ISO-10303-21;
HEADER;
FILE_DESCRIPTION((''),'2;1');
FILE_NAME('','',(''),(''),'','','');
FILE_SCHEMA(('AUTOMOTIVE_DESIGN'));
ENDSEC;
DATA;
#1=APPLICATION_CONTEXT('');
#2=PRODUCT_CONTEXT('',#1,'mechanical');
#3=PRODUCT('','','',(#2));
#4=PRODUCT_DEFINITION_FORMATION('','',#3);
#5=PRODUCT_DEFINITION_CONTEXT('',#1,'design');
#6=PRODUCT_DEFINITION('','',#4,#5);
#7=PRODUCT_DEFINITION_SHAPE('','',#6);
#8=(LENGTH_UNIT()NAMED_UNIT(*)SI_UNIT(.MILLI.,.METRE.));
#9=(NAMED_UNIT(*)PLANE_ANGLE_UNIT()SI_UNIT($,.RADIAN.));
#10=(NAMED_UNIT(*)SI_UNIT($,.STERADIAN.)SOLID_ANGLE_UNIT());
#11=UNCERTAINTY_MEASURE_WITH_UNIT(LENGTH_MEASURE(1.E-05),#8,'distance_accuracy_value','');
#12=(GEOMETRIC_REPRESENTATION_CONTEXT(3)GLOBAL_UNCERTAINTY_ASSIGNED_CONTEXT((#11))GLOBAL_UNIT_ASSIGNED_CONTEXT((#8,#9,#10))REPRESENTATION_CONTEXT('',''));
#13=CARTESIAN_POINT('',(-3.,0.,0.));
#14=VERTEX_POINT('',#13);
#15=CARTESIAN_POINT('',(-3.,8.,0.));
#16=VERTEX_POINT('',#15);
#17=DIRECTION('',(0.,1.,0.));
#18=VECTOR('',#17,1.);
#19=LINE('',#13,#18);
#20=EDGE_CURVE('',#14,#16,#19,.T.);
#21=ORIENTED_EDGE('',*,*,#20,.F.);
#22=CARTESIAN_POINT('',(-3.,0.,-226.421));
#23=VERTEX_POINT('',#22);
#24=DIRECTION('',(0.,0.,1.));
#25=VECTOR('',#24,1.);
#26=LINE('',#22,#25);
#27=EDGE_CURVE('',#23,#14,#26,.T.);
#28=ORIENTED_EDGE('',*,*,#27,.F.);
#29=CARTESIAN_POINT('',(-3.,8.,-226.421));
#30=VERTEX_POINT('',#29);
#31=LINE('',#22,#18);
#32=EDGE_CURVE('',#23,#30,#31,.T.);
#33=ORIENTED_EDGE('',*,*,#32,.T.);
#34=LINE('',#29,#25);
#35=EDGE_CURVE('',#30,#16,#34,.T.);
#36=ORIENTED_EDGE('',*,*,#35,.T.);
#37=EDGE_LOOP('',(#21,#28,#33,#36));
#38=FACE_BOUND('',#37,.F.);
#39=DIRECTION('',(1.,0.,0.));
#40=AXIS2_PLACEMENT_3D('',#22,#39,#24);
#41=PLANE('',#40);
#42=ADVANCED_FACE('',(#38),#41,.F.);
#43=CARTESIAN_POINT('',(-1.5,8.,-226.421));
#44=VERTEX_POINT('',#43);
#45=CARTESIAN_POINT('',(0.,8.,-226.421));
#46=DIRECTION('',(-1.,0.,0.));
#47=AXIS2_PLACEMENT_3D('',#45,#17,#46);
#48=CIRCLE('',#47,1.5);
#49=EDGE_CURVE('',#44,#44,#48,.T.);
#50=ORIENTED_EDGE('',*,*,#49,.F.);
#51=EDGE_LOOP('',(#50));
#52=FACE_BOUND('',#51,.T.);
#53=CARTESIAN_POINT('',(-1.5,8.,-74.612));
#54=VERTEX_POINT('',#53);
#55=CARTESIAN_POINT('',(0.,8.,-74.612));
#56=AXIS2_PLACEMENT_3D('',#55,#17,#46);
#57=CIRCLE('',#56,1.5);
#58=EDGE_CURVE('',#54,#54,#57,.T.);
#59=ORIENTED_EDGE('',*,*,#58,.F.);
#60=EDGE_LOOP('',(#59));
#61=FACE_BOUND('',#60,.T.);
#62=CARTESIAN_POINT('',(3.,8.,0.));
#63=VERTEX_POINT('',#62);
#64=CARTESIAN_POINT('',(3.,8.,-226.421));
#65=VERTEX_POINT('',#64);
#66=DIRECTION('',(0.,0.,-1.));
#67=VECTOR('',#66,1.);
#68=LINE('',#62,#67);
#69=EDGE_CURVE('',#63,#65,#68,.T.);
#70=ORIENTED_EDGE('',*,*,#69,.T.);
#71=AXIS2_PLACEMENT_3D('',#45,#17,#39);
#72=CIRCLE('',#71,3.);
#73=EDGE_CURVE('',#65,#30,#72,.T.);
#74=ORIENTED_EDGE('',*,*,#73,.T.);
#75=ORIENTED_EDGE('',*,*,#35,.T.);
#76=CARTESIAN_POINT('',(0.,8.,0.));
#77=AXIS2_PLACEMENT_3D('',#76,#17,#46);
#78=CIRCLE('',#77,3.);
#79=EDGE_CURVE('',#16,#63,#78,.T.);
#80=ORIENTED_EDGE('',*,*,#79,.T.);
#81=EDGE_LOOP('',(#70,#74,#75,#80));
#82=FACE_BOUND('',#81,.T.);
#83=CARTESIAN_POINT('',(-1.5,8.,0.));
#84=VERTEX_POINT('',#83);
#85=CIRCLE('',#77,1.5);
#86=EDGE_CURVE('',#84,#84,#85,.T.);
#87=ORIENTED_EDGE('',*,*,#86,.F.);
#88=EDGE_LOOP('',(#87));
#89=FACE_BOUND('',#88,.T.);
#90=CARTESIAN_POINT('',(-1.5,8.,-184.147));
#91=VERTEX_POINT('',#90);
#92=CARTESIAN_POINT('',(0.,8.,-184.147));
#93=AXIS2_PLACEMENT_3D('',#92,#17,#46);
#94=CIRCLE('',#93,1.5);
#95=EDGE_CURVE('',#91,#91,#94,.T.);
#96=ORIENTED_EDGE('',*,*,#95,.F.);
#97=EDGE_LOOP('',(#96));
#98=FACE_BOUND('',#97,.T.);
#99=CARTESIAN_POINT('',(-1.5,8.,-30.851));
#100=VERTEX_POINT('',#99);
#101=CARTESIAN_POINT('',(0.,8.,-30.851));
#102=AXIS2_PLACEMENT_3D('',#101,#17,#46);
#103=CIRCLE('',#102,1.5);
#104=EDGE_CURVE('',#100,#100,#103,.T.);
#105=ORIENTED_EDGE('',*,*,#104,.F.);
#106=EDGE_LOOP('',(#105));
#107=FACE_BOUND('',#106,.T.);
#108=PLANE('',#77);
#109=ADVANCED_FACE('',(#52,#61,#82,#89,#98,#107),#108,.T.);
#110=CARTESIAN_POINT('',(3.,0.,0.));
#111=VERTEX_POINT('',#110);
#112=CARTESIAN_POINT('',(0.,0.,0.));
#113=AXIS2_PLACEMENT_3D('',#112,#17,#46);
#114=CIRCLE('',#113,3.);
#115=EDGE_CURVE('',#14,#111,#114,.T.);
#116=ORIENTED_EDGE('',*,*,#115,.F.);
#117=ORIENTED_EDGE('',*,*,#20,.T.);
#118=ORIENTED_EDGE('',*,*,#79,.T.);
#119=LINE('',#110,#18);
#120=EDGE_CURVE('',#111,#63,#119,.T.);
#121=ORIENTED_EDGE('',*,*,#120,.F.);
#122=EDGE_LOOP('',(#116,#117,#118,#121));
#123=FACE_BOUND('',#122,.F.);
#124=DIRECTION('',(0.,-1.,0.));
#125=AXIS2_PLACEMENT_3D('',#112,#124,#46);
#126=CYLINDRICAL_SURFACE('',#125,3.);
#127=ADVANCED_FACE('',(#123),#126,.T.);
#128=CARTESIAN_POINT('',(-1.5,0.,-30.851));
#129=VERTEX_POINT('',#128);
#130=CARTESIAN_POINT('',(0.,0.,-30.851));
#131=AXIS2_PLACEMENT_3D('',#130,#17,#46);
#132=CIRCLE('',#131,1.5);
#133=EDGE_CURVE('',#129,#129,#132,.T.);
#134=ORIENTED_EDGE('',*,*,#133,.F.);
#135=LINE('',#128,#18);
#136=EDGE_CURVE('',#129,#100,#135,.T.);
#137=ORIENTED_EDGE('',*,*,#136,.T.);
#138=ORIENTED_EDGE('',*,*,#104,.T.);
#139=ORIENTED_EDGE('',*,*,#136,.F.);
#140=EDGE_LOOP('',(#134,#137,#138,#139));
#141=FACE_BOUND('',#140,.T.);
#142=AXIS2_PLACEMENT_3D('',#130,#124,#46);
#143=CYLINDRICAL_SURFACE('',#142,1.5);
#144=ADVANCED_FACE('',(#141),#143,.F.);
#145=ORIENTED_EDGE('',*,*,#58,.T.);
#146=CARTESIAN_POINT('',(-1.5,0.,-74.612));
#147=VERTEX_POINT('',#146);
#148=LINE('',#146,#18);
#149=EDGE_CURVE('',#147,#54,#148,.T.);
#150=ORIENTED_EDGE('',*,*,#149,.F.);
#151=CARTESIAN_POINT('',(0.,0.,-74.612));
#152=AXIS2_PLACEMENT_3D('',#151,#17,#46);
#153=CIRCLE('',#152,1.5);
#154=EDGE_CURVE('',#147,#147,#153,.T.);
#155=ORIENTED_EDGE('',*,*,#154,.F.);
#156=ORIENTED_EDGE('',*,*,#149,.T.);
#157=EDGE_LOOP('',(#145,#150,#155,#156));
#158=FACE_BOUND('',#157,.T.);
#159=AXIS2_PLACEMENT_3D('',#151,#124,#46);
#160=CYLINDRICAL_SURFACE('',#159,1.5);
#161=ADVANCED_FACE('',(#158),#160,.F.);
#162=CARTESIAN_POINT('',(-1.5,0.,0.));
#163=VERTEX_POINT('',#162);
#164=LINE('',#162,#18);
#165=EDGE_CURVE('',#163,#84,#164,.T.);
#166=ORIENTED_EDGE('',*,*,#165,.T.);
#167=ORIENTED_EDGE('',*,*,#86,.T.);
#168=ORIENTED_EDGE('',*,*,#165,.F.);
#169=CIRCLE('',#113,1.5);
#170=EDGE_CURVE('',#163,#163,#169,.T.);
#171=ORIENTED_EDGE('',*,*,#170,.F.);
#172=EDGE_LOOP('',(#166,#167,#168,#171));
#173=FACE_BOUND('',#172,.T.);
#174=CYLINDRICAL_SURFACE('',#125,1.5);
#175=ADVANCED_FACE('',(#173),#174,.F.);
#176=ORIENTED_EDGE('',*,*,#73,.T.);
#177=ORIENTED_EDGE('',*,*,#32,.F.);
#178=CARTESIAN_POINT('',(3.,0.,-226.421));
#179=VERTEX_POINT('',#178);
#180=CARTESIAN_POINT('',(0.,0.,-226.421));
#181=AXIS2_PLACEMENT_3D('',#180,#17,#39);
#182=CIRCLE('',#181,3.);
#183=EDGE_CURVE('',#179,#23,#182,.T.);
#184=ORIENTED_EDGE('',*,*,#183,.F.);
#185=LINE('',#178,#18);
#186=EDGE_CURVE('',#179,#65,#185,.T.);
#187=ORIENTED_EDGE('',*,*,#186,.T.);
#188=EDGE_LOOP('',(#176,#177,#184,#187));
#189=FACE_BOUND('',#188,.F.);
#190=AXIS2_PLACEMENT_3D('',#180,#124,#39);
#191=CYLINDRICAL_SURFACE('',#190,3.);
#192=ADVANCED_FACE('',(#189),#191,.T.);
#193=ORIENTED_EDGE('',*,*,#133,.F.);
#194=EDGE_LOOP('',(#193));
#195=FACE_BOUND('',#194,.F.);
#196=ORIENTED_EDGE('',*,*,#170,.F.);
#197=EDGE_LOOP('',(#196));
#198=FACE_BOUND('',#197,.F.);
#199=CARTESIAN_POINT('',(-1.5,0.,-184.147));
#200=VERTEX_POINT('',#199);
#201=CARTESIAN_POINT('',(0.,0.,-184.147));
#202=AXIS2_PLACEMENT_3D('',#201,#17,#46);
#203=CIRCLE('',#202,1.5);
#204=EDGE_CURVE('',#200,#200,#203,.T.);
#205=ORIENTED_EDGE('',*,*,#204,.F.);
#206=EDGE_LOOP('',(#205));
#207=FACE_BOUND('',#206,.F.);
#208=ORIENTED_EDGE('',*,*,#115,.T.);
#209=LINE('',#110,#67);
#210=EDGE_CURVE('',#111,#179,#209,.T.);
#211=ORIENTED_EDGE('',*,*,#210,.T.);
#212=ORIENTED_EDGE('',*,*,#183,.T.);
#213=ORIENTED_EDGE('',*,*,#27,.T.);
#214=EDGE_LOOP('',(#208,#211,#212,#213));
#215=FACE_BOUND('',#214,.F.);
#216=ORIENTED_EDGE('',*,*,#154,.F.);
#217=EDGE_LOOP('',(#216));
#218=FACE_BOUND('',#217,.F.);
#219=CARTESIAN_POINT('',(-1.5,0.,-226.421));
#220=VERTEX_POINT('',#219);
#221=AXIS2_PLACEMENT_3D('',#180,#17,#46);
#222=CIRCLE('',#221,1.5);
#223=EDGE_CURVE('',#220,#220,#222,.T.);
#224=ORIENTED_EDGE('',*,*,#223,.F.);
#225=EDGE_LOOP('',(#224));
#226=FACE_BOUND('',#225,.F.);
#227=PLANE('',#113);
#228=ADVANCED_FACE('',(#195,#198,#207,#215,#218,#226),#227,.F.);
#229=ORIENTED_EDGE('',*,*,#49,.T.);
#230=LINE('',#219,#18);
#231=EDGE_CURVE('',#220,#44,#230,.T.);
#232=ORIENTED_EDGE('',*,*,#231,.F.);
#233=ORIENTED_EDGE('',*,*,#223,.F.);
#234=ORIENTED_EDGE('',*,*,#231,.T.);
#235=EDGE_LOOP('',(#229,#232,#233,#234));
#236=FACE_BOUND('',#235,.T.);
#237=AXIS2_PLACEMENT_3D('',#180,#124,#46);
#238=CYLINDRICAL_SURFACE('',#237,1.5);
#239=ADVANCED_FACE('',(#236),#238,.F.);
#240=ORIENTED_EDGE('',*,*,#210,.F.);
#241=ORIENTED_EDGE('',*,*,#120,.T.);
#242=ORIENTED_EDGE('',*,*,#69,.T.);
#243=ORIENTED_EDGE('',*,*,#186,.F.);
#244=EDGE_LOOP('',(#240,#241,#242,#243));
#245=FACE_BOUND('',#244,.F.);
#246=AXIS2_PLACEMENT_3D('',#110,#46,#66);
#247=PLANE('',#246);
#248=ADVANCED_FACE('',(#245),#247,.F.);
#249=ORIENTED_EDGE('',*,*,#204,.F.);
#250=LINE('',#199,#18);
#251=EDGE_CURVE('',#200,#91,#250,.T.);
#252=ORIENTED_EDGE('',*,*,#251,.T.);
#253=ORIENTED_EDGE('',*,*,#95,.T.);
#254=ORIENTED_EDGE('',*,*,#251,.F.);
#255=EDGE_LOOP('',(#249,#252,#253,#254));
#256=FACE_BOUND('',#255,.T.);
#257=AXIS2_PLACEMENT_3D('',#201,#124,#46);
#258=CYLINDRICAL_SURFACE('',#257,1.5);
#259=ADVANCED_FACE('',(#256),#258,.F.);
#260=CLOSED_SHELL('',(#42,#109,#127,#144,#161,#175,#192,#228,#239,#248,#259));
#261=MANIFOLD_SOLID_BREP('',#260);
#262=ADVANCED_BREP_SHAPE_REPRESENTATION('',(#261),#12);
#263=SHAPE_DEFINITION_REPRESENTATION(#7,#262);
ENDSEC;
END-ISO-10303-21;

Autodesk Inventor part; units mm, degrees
ref_plane "YZ Plane" through (0, 0, 0) normal (1, 0, 0) x (0, 1, 0)
ref_plane "XZ Plane" through (0, 0, 0) normal (0, 1, 0) x (-1, 0, 0)
ref_plane "XY Plane" through (0, 0, 0) normal (0, 0, 1) x (1, 0, 0)
sketch "Sketch1" plane through (0, 0, 0) normal (0, 1, 0) x (-1, 0, 0)
  line L0 (0, 0) -> (0, -226.421) construction
  line L1 (-3, 0) -> (-3, -226.421)
  line L2 (3, -226.421) -> (3, 0)
  arc A0 (3, 0) -> (-3, 0) centre (0, 0) ccw
  arc A1 (-3, -226.421) -> (3, -226.421) centre (0, -226.421) ccw
  circle A2 centre (0, 0) radius 1.5
  circle A3 centre (0, -226.421) radius 1.5
  circle A4 centre (0, -184.147) radius 1.5
  circle A5 centre (0, -74.612) radius 1.5
  circle A6 centre (0, -30.851) radius 1.5
  point P0 (0, -113.2105)
  dimension "d0" = 226.421
  dimension "d1" = 6
  dimension "d2" = 3
  dimension "d3" = 3
  dimension "d6" = 3
  dimension "d7" = 184.147
  dimension "d8" = 3
  dimension "d9" = 74.612
  dimension "d10" = 3
  dimension "d11" = 30.851
extrude "Extrusion1" add sketch "Sketch1" along normal blind 8
sketch "Sketch2" plane through (0, 0, 0) normal (0, -1, 0) x (1, 0, 0)
  arc A0 (-3, -226.421) -> (3, -226.421) centre (0, -226.421) ccw projected
  line L0 (3, 0) -> (3, -226.421) projected
  arc A1 (3, 0) -> (-3, 0) centre (0, 0) ccw projected
  line L1 (-3, -226.421) -> (-3, 0) projected
  circle A2 centre (0, -184.147) radius 1.5 projected
  circle A3 centre (0, -74.612) radius 1.5 projected
  circle A4 centre (0, -30.851) radius 1.5 projected
  circle A5 centre (0, -226.421) radius 1.5 projected
  circle A6 centre (0, 0) radius 1.5 projected
